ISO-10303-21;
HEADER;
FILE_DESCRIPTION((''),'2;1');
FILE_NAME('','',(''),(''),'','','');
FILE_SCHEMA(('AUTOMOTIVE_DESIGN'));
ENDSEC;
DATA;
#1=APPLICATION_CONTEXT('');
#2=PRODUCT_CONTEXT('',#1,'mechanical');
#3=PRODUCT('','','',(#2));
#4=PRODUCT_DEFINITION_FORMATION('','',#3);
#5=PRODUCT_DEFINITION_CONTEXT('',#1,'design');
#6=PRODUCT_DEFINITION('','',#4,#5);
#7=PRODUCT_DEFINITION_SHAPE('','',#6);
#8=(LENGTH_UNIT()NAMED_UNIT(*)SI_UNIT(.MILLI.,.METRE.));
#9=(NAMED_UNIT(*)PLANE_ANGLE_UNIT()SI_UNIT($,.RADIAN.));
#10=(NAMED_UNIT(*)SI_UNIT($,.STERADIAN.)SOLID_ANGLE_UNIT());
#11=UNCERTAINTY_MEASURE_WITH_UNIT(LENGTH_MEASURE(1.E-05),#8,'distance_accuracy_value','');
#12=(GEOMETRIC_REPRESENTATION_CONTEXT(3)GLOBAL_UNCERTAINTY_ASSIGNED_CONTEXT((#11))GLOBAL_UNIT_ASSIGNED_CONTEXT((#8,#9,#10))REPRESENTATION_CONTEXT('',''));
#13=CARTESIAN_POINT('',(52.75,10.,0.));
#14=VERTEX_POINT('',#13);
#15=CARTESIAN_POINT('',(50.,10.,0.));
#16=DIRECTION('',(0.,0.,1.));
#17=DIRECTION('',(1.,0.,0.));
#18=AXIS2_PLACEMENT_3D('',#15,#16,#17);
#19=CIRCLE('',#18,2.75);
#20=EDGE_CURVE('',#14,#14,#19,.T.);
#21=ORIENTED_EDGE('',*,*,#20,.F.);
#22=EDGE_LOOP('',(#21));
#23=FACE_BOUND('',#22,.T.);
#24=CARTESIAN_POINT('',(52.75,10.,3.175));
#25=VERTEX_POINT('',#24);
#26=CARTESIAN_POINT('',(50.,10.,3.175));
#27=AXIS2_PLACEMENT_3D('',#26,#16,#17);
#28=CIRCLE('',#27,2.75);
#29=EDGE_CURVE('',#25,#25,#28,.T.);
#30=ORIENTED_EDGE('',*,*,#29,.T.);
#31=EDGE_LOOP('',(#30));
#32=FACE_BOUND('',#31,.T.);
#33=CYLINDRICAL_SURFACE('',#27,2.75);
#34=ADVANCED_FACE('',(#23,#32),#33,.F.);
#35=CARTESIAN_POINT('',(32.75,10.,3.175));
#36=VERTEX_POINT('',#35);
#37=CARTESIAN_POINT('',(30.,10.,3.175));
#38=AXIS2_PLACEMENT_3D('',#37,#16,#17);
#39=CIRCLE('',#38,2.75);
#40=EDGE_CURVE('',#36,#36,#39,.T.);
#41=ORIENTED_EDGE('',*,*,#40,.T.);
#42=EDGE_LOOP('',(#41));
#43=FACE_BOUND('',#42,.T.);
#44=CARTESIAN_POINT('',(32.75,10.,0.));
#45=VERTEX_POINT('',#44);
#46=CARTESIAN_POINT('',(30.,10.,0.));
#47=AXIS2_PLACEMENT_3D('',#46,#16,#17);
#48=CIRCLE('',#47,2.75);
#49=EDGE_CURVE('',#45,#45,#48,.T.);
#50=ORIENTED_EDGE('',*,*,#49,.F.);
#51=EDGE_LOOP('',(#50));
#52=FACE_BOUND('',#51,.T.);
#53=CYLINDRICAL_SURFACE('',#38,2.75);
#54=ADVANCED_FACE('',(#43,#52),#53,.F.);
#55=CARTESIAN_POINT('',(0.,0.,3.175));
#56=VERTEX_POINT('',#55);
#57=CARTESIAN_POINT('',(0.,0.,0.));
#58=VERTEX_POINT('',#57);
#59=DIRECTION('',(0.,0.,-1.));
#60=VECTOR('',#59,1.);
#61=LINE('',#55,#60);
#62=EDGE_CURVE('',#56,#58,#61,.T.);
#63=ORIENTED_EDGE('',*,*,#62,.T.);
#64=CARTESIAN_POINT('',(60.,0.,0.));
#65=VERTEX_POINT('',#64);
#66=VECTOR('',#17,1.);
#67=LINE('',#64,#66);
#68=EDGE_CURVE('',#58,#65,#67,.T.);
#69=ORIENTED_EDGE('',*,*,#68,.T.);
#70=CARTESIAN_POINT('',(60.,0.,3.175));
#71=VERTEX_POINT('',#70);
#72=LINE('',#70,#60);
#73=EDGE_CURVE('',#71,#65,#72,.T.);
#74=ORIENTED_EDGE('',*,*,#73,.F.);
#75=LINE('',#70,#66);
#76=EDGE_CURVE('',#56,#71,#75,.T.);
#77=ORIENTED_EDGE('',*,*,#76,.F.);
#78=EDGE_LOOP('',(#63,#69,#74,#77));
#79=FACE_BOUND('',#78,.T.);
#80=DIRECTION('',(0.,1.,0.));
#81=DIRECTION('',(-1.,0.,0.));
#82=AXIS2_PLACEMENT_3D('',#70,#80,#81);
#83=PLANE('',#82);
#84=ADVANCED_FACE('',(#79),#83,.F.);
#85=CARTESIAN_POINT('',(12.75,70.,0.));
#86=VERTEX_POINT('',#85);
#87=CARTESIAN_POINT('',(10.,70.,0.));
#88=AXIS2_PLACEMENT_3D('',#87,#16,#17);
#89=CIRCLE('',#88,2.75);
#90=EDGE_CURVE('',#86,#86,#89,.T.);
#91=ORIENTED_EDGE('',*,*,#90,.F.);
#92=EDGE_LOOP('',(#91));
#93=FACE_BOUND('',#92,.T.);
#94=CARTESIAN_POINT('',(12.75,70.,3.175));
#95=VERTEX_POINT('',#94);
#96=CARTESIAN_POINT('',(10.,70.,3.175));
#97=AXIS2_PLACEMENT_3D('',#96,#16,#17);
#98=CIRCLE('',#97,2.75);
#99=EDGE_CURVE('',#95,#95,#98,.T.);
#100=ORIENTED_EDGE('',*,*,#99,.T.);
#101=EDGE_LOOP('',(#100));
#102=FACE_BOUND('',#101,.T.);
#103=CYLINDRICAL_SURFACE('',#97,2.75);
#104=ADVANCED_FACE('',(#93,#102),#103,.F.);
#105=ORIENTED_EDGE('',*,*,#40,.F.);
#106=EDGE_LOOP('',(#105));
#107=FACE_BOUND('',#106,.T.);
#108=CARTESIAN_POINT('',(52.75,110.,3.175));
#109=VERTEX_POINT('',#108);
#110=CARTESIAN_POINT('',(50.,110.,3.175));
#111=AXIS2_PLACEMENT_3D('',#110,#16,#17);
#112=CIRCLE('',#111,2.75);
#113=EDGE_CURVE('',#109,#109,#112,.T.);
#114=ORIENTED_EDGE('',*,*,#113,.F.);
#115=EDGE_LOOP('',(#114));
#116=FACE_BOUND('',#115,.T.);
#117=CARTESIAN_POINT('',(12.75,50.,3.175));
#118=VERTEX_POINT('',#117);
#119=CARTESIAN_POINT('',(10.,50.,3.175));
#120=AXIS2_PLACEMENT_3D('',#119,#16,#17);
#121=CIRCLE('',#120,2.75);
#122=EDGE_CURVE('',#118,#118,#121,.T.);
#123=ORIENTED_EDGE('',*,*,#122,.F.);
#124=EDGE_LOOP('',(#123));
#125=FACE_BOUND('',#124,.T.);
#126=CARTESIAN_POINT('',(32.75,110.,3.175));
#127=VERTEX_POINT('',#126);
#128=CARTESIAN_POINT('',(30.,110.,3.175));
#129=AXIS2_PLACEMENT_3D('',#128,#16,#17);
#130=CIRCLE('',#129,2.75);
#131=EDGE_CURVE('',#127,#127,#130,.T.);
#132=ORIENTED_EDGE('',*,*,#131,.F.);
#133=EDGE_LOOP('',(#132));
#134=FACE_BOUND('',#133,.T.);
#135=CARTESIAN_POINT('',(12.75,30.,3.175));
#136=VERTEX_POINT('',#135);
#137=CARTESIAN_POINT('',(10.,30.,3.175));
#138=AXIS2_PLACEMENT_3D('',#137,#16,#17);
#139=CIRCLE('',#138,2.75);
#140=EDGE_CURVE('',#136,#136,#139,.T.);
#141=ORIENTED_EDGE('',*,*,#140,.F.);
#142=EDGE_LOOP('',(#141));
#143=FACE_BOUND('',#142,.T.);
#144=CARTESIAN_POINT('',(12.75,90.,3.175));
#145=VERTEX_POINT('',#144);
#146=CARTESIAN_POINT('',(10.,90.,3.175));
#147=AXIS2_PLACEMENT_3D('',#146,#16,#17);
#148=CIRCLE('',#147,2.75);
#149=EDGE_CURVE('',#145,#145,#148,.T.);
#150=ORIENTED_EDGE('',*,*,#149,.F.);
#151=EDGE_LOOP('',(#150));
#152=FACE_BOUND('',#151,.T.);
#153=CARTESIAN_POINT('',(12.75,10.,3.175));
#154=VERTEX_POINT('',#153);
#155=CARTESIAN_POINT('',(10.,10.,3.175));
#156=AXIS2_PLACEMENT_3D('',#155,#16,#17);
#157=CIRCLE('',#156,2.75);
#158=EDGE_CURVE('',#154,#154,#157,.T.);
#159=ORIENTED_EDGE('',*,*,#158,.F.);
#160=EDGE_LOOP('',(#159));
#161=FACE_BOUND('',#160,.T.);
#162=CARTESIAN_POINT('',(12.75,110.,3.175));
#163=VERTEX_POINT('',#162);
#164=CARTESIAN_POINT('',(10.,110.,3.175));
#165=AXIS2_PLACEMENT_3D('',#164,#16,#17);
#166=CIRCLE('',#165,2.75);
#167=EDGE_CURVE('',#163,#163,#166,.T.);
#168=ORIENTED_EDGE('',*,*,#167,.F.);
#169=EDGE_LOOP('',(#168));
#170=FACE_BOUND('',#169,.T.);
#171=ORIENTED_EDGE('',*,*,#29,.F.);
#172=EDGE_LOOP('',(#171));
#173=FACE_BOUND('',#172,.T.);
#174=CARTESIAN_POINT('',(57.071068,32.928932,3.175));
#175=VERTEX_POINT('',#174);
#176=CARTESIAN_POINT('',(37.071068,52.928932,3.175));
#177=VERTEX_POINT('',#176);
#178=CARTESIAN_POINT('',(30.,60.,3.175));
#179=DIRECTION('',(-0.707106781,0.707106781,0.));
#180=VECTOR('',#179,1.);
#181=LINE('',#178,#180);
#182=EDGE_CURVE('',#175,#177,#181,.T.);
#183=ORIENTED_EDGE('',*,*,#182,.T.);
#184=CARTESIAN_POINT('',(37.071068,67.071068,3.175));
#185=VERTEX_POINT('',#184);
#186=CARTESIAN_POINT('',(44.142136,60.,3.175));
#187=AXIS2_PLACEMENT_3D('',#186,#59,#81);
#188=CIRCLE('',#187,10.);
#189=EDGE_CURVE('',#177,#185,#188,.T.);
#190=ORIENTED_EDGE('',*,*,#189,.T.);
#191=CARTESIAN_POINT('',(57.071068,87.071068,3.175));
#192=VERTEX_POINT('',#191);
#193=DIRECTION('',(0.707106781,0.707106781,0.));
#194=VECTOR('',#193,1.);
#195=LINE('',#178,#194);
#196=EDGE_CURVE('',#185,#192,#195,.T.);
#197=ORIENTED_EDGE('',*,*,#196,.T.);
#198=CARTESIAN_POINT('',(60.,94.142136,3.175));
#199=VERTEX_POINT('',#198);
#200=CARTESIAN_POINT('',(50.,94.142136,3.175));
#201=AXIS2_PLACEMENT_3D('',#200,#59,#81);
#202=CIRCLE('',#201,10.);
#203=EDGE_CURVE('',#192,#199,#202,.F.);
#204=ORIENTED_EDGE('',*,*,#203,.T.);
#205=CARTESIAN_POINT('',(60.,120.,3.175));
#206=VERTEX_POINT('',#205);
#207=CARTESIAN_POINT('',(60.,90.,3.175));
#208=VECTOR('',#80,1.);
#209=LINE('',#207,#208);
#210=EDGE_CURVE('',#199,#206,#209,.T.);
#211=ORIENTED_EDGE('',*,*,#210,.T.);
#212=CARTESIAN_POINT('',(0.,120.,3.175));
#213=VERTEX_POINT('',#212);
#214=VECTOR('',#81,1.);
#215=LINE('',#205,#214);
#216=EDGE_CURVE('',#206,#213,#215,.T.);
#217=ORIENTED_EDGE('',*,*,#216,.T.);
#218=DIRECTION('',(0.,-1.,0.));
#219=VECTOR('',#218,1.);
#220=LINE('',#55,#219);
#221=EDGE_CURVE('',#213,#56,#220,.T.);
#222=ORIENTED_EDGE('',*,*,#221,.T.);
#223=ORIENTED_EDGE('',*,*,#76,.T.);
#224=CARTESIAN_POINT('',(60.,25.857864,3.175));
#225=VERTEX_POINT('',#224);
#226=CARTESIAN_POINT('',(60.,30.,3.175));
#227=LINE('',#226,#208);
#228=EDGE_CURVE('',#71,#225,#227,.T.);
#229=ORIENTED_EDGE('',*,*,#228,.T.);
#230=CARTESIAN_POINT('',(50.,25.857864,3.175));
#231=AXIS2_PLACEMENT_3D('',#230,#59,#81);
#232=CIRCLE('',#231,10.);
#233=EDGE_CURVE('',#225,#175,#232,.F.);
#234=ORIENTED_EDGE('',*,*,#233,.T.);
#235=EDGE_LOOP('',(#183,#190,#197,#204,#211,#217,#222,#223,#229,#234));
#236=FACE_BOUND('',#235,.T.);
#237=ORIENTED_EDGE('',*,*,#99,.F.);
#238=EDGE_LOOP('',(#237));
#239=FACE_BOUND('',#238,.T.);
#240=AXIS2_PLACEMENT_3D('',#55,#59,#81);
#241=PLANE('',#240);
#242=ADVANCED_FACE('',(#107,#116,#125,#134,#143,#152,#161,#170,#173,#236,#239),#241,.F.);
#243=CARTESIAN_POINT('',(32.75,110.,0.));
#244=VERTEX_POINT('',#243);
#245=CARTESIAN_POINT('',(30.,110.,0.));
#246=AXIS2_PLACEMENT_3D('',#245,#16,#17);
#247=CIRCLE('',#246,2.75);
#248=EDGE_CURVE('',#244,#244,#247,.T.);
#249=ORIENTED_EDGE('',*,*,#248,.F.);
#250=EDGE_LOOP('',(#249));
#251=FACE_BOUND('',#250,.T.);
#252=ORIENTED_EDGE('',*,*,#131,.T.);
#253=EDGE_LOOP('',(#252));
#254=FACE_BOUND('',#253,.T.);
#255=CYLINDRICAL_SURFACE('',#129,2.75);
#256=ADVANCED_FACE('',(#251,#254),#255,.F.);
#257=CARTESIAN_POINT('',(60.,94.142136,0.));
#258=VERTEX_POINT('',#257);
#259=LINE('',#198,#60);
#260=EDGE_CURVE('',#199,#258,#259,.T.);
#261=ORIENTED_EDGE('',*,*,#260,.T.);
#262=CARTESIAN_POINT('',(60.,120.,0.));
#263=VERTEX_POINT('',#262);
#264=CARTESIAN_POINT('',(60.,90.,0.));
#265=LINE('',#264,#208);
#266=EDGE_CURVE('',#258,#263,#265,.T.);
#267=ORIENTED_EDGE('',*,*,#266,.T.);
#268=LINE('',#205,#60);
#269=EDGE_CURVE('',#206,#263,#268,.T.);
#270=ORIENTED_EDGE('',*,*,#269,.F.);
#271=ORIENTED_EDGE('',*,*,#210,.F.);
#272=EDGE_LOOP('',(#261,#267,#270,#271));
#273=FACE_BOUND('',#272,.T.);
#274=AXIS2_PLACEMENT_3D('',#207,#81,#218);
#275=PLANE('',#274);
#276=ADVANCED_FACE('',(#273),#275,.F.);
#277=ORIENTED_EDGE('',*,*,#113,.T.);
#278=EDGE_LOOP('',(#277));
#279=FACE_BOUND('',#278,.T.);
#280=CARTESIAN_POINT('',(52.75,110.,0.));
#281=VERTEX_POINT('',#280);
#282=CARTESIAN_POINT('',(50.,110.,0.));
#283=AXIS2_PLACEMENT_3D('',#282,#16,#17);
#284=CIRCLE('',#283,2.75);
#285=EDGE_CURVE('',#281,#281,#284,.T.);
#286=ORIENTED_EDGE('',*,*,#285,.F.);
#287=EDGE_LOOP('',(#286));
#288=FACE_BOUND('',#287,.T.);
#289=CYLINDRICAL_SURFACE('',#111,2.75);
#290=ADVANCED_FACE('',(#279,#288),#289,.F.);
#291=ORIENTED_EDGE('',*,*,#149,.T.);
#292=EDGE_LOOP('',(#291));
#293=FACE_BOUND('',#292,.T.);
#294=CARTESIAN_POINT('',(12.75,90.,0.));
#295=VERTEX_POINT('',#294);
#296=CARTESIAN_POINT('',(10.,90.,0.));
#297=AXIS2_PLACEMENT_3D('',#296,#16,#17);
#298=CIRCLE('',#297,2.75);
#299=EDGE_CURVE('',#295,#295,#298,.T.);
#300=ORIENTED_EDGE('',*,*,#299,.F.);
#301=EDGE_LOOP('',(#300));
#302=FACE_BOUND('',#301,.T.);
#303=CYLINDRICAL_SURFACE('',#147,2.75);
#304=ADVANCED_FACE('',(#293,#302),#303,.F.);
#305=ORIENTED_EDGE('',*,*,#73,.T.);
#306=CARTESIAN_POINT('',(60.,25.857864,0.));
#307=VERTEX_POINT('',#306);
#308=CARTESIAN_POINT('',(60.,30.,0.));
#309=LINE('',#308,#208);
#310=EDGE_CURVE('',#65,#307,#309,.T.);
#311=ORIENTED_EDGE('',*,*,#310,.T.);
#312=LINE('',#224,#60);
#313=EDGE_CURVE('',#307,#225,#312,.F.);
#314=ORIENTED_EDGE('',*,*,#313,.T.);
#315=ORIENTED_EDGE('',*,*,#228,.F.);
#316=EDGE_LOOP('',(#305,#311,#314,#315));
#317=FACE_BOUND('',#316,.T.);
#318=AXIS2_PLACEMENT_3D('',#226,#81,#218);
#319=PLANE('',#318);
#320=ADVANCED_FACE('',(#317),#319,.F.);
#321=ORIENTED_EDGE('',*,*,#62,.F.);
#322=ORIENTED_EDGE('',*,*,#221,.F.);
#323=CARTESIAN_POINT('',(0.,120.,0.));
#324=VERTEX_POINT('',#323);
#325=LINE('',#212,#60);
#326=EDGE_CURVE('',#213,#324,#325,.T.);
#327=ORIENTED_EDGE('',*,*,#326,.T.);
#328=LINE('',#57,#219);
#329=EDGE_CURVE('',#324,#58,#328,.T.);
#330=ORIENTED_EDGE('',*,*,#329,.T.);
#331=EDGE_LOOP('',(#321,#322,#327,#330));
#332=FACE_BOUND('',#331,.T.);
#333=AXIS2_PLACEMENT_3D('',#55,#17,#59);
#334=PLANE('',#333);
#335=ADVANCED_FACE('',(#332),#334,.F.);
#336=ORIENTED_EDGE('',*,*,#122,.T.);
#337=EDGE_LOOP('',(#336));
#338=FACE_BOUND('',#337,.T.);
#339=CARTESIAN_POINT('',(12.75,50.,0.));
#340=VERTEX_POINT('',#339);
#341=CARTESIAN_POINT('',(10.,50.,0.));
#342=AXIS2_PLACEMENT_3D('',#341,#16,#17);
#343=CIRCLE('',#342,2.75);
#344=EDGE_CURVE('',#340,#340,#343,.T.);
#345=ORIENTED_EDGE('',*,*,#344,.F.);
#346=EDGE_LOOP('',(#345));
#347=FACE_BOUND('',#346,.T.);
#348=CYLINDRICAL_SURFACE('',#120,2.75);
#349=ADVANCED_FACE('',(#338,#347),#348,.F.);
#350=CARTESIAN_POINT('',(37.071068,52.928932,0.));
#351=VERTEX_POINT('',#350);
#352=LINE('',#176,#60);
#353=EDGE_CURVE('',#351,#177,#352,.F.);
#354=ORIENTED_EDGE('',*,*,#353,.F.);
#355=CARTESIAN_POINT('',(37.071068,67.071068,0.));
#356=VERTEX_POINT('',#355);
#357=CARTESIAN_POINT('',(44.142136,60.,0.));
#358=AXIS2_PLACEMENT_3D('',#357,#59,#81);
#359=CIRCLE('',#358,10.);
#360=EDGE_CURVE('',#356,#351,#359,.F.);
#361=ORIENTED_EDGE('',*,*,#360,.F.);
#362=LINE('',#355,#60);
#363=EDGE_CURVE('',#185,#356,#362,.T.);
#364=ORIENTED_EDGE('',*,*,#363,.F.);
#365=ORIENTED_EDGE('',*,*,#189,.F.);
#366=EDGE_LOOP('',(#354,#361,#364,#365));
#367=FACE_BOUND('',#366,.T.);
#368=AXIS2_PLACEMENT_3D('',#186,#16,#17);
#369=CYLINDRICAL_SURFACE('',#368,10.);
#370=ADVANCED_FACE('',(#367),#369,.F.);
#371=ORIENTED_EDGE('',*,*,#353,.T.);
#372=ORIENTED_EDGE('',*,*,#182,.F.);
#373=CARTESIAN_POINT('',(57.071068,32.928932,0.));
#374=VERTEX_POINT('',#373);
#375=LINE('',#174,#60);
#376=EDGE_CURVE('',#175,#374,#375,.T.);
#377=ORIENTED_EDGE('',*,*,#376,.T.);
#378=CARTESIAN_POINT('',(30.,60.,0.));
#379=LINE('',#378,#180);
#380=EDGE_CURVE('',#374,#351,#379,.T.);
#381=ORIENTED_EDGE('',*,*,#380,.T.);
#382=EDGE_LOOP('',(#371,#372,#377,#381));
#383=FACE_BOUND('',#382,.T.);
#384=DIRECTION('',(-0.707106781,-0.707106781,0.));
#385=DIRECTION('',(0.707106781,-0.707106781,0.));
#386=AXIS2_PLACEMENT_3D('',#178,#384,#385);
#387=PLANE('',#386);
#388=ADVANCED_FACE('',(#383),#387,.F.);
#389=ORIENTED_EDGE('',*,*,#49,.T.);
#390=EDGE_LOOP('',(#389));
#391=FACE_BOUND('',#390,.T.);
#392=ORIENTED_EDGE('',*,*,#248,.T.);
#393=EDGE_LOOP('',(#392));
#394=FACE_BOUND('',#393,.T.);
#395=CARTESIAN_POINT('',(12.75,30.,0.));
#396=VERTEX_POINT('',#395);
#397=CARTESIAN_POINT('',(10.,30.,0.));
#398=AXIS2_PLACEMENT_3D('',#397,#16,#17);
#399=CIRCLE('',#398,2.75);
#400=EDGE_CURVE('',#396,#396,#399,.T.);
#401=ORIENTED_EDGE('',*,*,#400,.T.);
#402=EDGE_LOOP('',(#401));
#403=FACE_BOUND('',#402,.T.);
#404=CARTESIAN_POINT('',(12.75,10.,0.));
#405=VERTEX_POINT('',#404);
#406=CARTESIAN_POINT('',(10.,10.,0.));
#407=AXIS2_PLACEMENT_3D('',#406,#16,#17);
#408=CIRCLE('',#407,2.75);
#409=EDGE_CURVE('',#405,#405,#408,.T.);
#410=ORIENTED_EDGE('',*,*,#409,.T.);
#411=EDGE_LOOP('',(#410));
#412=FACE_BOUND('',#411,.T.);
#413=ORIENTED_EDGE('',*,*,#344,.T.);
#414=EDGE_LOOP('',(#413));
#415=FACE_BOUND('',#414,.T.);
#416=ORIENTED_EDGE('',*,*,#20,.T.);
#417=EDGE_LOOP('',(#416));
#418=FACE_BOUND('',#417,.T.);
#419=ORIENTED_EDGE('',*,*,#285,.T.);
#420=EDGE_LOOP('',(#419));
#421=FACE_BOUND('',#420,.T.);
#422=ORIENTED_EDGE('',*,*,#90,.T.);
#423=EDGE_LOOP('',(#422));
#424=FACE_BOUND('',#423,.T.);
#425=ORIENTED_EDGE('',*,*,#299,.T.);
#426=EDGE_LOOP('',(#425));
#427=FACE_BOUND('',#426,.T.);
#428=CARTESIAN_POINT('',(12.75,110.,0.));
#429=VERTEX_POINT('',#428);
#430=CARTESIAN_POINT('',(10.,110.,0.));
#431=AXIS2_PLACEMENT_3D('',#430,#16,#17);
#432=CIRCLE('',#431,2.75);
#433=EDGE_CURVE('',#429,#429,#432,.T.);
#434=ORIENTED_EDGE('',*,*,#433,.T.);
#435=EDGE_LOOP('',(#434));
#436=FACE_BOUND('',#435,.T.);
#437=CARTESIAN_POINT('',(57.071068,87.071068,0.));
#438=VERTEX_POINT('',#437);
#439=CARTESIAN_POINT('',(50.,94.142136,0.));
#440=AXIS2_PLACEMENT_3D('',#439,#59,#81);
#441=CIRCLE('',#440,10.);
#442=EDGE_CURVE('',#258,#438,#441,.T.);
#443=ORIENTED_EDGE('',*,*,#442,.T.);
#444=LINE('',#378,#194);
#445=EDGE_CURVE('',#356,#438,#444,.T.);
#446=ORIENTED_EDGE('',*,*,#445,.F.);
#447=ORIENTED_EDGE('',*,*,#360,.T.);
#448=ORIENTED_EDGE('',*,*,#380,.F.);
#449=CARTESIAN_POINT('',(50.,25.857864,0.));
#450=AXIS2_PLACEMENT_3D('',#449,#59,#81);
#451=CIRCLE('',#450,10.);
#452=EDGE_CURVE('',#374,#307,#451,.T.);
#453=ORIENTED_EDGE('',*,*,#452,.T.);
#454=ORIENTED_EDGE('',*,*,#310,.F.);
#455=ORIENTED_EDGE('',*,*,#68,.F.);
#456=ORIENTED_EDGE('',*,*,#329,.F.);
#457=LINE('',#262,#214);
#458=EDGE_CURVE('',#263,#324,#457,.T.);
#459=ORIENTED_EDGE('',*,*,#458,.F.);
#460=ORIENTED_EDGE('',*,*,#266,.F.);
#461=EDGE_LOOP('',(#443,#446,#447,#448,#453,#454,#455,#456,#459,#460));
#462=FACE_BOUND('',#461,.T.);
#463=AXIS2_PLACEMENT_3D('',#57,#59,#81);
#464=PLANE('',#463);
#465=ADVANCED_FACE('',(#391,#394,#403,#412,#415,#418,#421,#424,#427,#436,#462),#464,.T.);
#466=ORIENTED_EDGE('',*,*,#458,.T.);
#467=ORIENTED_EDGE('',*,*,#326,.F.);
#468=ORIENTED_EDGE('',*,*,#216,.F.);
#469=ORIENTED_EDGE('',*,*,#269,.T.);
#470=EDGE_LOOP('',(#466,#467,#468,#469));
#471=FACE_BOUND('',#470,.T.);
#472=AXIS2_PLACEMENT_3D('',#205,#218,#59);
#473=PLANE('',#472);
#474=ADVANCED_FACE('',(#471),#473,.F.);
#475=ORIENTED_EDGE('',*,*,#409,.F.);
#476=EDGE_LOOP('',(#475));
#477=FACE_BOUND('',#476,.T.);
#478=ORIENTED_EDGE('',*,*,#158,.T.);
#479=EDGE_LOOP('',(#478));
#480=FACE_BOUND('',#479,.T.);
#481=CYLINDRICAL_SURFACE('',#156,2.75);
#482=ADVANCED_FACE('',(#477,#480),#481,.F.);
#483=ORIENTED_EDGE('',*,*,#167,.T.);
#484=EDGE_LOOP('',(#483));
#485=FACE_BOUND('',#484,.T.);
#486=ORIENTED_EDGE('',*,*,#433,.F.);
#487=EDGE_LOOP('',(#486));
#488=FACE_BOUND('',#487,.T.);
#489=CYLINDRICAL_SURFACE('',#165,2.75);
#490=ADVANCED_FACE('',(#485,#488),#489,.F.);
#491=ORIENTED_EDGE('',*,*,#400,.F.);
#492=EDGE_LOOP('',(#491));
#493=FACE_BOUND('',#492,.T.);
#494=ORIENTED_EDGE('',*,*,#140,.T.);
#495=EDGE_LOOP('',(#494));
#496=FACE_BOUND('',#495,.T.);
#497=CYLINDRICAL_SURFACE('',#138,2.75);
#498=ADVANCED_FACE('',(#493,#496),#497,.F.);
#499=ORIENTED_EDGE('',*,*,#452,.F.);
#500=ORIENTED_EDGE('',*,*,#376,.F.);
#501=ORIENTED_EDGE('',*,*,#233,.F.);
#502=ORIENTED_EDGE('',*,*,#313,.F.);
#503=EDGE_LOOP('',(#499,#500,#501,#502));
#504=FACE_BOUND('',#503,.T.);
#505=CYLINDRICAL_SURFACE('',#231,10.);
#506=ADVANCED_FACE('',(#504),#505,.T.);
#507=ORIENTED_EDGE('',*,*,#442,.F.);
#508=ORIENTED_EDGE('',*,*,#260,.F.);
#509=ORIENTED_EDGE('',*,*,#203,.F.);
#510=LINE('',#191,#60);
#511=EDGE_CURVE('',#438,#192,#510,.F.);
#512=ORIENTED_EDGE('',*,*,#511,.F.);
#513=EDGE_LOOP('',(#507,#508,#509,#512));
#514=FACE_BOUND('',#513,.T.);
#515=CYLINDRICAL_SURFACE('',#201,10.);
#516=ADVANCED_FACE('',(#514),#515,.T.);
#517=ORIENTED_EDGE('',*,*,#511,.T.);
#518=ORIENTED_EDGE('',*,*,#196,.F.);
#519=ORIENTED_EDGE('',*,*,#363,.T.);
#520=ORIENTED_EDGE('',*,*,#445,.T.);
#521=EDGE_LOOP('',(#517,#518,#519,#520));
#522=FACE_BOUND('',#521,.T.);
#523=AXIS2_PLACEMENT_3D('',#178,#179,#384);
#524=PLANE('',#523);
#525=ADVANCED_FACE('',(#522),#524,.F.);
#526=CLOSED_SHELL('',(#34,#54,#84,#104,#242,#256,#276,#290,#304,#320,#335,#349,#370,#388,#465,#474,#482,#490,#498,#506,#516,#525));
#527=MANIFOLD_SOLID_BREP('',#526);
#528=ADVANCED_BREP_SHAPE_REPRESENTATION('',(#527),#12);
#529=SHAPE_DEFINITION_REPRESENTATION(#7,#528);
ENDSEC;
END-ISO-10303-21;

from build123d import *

# Parameters (mm, degrees)
BOSS_EXTRUDE1_DEPTH  = 3.175
M5_CLEARANCE_HOLE1_D = 5.5
LPATTERN1_COUNT      = 3
LPATTERN1_PITCH      = 20
LPATTERN2_COUNT      = 6
LPATTERN2_PITCH      = 20
FILLET2_R            = 10
LPATTERN3_COPY_1_D   = 5.5
LPATTERN3_COPY_2_D   = 5.5
LPATTERN3_COPY_3_D   = 5.5


with BuildPart() as part:
    # Sketch1 → Boss-Extrude1 (new body)
    with BuildSketch(Plane.XY):
        Polygon((0, 0), (0, 120), (60, 120), (60, 90), (30, 60), (60, 30), (60, 0), align=None)
    extrude(amount=BOSS_EXTRUDE1_DEPTH)

    # M5 Clearance Hole1 (through all)
    with Locations(Plane(origin=(10, 10, 3.175), x_dir=(1, 0, 0), z_dir=(0, 0, 1))):
        with Locations((0, 0)):
            m5_clearance_hole1 = Hole(M5_CLEARANCE_HOLE1_D / 2)

    # LPattern1: M5 Clearance Hole1 ×3
    with Locations(*[(i * LPATTERN1_PITCH, 0, 0) for i in range(1, LPATTERN1_COUNT)]):
        add(m5_clearance_hole1, mode=Mode.SUBTRACT)

    # LPattern2: M5 Clearance Hole1 ×6
    with Locations(*[(0, i * LPATTERN2_PITCH, 0) for i in range(1, LPATTERN2_COUNT)]):
        add(m5_clearance_hole1, mode=Mode.SUBTRACT)

    # Fillet2
    fillet2_edges = [part.edges().sort_by_distance(p)[0] for p in [
        (60, 90, 1.5875),
        (30, 60, 1.5875),
        (60, 30, 1.5875),
    ]]
    fillet(fillet2_edges, radius=FILLET2_R)

    # LPattern3 copy 1 (through all)
    with Locations(Plane(origin=(30, 110, 3.175), x_dir=(1, 0, 0), z_dir=(0, 0, 1))):
        with Locations((0, 0)):
            Hole(LPATTERN3_COPY_1_D / 2)

    # LPattern3 copy 2 (through all)
    with Locations(Plane(origin=(50, 110, 3.175), x_dir=(1, 0, 0), z_dir=(0, 0, 1))):
        with Locations((0, 0)):
            Hole(LPATTERN3_COPY_2_D / 2)

    # LPattern3 copy 3 (through all)
    with Locations(Plane(origin=(10, 110, 3.175), x_dir=(1, 0, 0), z_dir=(0, 0, 1))):
        with Locations((0, 0)):
            Hole(LPATTERN3_COPY_3_D / 2)


solid = part.part
